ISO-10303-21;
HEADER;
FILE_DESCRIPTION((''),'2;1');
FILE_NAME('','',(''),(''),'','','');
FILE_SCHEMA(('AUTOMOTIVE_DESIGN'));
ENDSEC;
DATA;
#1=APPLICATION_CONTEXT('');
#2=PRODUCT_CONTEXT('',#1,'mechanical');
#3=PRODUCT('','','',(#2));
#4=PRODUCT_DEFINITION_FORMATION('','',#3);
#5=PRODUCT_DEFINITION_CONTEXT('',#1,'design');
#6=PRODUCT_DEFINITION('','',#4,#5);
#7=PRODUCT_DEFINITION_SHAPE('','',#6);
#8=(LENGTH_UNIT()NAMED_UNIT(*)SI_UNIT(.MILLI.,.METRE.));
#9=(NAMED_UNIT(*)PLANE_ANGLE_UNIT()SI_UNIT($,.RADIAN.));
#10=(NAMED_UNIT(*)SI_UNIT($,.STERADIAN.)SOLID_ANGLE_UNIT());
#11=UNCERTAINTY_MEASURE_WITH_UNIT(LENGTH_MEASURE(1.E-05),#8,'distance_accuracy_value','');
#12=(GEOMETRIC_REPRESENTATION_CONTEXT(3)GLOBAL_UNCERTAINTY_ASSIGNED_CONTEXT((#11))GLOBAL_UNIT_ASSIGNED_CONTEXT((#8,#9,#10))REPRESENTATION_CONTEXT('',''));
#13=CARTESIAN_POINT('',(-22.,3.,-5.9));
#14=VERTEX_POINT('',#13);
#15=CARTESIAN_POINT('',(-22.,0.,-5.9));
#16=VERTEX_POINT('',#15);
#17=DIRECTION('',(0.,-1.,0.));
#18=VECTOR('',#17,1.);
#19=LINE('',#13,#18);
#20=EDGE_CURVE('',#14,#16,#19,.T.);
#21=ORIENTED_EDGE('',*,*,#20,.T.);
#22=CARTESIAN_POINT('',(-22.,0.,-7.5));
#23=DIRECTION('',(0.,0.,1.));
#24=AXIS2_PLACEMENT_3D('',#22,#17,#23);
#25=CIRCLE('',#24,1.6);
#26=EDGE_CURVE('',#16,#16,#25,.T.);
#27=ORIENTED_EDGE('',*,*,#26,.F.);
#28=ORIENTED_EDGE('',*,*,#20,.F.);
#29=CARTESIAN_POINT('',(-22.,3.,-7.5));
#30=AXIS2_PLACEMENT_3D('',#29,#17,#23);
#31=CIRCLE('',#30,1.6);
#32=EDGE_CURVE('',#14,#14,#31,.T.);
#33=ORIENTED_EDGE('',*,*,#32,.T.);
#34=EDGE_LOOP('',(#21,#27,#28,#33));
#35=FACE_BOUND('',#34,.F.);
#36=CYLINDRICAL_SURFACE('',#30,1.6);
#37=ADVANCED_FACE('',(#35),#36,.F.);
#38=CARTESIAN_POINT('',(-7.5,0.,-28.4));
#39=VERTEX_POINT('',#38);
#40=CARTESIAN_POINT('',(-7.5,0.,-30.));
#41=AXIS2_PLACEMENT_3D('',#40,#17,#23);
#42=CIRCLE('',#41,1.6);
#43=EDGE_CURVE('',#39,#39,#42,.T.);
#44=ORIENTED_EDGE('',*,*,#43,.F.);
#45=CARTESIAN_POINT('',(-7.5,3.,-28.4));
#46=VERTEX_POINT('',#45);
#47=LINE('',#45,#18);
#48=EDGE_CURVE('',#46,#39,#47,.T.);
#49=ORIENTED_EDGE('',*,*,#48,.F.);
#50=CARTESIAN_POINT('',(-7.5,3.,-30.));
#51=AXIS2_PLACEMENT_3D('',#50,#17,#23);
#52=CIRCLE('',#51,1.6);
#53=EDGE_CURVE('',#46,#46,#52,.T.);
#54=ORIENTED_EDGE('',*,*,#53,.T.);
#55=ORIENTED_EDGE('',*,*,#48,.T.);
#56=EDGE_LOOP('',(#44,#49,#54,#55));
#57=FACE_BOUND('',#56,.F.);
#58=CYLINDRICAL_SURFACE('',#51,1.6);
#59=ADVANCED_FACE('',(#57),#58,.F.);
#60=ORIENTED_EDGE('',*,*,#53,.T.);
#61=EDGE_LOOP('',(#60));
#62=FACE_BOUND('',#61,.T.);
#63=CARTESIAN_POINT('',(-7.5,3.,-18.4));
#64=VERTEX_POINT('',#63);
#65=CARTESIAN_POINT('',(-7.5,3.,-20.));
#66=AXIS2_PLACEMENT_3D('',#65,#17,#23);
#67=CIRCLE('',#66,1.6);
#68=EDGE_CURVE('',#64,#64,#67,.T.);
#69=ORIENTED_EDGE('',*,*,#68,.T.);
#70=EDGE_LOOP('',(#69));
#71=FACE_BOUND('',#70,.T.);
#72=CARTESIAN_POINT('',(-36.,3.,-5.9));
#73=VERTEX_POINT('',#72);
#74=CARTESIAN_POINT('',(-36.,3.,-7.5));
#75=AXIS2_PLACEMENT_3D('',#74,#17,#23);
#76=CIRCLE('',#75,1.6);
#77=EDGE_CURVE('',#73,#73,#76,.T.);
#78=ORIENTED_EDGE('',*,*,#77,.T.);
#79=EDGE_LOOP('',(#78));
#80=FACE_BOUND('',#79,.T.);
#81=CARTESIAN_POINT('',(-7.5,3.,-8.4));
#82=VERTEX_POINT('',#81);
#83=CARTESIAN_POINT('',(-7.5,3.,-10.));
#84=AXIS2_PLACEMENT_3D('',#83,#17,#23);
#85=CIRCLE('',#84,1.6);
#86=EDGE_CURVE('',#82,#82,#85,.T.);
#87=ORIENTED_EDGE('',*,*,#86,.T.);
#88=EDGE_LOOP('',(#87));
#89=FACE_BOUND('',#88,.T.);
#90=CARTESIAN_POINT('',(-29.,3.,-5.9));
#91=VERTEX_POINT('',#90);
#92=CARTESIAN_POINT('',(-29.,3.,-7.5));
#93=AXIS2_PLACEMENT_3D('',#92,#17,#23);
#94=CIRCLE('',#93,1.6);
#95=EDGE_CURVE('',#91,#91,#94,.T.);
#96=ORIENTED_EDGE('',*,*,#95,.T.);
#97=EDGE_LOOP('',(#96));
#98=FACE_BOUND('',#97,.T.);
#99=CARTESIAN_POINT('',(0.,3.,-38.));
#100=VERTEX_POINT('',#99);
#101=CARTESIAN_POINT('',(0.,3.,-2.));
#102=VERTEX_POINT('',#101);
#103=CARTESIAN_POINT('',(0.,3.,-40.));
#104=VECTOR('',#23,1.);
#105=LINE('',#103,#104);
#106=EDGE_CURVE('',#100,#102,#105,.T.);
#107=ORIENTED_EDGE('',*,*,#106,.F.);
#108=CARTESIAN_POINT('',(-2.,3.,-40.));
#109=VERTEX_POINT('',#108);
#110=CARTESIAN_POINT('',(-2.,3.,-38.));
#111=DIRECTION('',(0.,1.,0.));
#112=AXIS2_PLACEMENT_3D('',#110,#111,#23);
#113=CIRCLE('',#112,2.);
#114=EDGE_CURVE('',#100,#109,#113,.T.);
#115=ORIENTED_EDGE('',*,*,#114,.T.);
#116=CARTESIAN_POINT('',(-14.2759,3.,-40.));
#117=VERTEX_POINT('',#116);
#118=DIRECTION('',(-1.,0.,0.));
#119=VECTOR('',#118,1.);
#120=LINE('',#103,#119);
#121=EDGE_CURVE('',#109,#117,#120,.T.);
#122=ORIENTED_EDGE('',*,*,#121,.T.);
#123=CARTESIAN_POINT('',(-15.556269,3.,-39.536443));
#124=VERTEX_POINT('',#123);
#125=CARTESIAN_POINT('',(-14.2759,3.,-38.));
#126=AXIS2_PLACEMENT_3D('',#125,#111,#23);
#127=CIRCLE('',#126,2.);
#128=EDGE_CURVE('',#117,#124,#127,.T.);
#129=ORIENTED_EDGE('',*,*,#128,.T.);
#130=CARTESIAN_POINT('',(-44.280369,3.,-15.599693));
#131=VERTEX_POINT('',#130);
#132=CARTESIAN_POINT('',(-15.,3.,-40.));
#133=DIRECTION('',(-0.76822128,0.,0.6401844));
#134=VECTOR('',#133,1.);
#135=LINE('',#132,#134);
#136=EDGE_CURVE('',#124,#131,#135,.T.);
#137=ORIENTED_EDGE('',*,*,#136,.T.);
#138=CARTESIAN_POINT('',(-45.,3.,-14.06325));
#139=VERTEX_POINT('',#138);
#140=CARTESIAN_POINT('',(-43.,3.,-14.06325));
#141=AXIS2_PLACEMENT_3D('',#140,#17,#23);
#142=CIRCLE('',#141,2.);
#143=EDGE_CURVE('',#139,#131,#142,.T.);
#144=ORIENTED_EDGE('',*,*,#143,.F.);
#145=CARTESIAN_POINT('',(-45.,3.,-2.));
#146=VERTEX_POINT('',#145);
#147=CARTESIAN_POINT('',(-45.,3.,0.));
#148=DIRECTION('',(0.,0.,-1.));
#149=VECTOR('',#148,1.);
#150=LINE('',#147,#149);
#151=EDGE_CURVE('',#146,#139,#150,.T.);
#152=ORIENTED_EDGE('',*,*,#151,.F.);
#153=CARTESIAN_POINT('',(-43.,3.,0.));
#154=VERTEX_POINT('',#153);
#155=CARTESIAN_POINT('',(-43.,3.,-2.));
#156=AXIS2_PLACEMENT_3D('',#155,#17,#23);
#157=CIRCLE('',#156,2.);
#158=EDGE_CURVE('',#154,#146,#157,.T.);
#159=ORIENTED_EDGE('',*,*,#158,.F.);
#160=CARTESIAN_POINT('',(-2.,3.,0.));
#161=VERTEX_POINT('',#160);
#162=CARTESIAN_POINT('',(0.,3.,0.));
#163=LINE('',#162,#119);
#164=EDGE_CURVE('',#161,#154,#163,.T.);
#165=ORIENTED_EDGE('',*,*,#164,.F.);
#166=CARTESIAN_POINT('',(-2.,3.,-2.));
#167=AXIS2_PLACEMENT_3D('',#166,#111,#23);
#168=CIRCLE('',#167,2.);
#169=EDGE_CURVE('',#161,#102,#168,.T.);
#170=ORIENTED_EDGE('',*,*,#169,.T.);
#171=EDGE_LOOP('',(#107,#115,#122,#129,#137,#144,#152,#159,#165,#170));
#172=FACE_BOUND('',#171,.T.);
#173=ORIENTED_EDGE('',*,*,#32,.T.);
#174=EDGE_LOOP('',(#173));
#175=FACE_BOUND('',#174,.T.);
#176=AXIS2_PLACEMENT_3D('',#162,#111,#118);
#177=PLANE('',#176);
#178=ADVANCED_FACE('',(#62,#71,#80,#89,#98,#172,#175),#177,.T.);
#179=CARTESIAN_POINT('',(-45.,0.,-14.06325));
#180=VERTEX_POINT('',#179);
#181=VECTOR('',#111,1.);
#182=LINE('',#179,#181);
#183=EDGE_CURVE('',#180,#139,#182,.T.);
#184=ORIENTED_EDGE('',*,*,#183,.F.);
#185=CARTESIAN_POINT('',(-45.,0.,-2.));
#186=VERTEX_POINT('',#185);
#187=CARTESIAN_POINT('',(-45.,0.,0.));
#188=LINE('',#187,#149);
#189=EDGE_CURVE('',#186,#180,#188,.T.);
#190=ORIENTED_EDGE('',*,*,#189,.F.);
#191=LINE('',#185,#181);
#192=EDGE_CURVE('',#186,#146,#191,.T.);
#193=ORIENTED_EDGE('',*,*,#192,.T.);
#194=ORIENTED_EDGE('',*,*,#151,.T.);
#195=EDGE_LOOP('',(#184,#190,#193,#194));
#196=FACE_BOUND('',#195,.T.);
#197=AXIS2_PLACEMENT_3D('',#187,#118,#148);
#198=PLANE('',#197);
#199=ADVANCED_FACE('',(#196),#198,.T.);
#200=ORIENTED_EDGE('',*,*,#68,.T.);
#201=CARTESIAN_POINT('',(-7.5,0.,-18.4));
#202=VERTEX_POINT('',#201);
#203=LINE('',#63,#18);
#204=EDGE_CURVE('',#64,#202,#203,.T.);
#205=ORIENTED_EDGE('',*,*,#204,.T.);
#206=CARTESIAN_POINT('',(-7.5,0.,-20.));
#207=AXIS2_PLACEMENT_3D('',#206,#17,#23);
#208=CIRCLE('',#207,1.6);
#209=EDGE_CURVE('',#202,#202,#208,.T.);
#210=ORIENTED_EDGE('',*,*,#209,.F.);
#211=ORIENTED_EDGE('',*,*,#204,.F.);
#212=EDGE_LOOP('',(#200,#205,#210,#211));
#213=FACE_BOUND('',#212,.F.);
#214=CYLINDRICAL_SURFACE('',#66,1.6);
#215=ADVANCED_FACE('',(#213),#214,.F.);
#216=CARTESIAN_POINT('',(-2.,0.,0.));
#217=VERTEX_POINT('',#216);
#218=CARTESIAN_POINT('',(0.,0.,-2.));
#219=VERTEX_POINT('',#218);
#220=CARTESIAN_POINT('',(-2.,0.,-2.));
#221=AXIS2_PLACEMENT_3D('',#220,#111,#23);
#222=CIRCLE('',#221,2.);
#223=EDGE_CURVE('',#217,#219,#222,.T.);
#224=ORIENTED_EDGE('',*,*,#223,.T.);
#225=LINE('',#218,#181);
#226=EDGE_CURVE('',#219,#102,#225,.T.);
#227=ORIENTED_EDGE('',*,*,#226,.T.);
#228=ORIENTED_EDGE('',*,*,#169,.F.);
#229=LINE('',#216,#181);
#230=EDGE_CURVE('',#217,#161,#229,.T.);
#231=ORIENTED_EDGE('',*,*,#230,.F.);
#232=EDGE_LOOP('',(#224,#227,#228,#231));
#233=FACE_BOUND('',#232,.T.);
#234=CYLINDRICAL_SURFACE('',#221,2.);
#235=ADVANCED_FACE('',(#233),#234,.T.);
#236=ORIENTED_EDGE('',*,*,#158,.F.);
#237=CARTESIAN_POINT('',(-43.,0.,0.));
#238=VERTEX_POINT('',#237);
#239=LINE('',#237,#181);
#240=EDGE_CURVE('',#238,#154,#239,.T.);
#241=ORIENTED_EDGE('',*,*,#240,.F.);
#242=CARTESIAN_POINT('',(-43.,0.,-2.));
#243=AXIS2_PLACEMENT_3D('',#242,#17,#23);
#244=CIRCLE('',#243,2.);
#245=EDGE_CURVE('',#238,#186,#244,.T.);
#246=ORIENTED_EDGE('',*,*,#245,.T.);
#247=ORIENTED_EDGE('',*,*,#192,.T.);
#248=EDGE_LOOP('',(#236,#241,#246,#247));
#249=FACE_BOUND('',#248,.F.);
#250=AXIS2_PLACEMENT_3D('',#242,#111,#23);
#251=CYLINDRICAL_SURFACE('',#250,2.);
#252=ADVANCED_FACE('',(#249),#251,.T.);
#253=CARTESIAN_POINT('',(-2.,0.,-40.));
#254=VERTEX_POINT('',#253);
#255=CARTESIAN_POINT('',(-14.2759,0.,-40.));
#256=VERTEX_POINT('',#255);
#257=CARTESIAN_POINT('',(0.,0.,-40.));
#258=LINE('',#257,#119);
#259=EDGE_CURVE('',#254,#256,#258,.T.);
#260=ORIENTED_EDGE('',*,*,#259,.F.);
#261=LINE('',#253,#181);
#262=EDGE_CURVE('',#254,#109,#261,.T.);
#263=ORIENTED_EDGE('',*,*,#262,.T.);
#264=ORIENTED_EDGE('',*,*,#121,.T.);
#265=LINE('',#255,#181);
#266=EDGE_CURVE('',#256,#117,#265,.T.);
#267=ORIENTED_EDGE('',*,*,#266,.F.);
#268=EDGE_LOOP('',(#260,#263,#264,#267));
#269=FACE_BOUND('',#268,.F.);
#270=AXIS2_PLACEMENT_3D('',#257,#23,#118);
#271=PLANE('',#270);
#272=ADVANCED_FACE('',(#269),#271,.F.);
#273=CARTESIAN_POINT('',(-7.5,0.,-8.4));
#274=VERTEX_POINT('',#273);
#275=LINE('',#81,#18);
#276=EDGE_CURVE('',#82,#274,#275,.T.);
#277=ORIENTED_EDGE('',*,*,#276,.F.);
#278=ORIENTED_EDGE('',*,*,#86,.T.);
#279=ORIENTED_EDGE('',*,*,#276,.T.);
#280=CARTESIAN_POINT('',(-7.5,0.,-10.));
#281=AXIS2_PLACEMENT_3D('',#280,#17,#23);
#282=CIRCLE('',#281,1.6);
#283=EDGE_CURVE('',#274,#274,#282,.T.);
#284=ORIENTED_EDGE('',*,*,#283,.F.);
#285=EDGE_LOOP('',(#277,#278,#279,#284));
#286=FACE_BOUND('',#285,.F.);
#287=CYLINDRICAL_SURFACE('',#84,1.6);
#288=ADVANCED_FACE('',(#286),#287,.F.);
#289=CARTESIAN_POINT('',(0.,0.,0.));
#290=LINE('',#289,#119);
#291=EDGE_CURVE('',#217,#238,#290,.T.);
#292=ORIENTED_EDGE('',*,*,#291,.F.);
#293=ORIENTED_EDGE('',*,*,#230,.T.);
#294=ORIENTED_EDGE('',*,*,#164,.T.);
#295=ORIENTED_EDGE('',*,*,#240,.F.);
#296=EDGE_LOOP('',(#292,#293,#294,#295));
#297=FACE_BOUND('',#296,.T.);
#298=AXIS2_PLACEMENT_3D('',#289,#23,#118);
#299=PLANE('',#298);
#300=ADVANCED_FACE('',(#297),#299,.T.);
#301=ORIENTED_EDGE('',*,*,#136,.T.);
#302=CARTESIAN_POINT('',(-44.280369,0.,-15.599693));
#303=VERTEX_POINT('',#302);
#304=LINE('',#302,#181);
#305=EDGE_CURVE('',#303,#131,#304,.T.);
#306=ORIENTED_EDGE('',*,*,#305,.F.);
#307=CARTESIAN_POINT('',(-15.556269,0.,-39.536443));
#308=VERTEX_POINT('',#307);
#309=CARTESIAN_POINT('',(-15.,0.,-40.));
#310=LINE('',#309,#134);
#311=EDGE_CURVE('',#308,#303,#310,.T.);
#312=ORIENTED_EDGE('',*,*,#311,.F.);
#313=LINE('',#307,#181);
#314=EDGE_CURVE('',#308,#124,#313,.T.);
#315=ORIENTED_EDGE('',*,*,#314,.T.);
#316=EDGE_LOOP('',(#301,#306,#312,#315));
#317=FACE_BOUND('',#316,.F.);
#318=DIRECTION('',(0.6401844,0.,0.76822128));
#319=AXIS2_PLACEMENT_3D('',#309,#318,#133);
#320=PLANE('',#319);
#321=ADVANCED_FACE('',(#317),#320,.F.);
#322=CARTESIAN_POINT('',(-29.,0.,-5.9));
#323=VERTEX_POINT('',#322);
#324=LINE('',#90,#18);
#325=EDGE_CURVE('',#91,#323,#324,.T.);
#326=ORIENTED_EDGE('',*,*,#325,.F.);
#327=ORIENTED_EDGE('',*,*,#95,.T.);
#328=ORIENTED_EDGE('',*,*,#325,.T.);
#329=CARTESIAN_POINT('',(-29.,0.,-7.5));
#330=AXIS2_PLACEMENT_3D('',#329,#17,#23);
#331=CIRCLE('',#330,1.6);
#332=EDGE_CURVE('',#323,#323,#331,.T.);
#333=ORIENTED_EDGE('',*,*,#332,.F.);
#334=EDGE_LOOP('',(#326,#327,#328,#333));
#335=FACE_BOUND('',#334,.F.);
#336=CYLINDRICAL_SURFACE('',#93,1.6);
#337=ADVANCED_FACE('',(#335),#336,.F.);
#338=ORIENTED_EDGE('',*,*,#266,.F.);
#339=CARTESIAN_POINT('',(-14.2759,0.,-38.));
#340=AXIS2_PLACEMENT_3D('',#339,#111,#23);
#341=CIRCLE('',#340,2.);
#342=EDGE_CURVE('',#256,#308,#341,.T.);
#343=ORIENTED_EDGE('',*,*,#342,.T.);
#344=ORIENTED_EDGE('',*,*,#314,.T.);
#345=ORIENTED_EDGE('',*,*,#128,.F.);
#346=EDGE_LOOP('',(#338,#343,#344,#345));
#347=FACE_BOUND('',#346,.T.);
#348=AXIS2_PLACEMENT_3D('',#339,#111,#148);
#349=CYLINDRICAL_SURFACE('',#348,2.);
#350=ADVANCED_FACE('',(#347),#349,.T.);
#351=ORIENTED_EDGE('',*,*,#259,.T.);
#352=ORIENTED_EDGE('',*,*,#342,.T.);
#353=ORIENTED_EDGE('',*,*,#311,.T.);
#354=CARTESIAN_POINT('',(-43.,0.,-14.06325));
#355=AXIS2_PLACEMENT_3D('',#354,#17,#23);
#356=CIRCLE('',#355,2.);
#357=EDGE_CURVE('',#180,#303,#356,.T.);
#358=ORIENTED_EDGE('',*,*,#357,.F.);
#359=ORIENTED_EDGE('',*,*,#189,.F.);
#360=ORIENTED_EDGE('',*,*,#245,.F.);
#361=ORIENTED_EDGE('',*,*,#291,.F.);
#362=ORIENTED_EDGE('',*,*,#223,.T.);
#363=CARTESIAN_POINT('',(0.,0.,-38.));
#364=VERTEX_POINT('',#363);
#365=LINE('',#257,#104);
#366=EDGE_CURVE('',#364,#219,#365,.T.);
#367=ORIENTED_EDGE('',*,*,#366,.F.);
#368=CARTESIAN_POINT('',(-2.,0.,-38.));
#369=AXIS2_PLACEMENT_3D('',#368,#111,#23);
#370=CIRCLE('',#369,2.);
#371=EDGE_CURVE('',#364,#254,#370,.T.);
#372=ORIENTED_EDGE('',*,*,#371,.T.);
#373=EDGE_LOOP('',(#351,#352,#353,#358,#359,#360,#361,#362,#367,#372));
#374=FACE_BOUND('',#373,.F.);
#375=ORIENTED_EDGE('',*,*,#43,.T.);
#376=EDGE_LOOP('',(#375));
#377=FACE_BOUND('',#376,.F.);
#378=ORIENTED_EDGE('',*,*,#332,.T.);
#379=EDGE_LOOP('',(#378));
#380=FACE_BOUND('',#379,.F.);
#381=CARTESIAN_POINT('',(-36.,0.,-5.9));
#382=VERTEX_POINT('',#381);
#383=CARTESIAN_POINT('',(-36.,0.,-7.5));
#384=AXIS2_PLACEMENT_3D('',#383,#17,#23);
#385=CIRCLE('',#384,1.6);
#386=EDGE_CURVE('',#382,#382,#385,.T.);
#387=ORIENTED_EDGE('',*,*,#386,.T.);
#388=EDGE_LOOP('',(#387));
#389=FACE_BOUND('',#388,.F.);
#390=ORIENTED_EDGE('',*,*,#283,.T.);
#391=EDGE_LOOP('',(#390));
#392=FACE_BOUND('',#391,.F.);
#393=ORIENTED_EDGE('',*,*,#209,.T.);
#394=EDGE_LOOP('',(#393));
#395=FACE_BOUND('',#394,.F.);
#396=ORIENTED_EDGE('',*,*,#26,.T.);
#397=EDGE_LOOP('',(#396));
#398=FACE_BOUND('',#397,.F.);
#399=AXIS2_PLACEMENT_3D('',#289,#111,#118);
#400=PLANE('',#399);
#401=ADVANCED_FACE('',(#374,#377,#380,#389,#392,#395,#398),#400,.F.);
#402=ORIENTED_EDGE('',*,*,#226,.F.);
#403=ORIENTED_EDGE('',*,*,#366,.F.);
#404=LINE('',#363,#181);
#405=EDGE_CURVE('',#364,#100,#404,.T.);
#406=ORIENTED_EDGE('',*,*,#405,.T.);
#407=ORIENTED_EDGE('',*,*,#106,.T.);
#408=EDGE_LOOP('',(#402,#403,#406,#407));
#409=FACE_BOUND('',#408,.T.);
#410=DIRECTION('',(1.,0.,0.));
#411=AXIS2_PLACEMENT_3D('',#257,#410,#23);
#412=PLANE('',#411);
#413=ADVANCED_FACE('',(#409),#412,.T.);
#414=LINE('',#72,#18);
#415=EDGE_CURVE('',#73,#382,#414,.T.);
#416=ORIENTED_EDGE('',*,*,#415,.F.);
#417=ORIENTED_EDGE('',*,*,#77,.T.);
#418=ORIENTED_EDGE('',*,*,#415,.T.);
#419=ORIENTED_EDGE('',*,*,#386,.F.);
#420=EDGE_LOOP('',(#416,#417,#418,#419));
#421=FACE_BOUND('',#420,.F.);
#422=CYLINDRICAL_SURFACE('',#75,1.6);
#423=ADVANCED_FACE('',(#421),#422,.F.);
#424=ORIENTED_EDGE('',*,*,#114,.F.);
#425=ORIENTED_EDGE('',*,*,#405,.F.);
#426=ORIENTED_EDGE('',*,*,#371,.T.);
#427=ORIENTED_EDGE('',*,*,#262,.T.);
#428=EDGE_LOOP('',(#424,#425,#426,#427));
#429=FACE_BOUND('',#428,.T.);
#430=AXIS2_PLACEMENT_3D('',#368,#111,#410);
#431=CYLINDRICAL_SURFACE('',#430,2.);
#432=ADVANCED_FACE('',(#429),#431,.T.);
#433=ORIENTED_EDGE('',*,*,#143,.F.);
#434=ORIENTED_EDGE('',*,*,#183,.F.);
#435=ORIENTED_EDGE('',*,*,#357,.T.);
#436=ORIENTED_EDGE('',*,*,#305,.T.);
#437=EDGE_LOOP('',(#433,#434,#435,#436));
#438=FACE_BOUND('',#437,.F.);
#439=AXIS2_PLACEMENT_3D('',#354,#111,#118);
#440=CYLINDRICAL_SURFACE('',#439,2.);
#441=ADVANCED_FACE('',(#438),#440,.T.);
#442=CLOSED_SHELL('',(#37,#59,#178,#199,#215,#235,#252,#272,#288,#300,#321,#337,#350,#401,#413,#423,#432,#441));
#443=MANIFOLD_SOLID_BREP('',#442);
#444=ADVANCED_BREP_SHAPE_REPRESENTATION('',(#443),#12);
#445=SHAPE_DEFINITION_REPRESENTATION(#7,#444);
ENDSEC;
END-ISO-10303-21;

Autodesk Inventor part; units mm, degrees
ref_plane "YZ Plane" through (0, 0, 0) normal (1, 0, 0) x (0, 1, 0)
ref_plane "XZ Plane" through (0, 0, 0) normal (0, 1, 0) x (-1, 0, 0)
ref_plane "XY Plane" through (0, 0, 0) normal (0, 0, 1) x (1, 0, 0)
sketch "スケッチ1" plane through (0, 0, 0) normal (0, 1, 0) x (-1, 0, 0)
  line L0 (0, 0) -> (45, 0)
  line L1 (45, 0) -> (45, -15)
  line L2 (0, -40) -> (0, 0)
  line L3 (45, 0) -> (45, -15)
  line L4 (45, 0) -> (60, 0) construction
  line L5 (0, -40) -> (15, -40)
  line L6 (0, -40) -> (15, -40) construction
  line L7 (15, -40) -> (45, -15)
  line L8 (15, -40) -> (0, -40)
  dimension "d2" = 15
  dimension "d3" = 90
  dimension "d4" = 15
  dimension "d5" = 0
extrude "押し出し1" add sketch "スケッチ1" along normal blind 3
sketch "スケッチ2" plane through (0, 3, 0) normal (0, 1, 0) x (1, 0, 0)
  line L0 (-45, 0) -> (0, 0) projected
  line L1 (-45, 15) -> (-45, 0) projected
  line L2 (0, 0) -> (0, 40) projected
  line L3 (0, 40) -> (-15, 40) projected
  point P0 (-36, 7.5)
  point P1 (-7.5, 30)
  point P2 (-29, 7.5)
  point P3 (-22, 7.5)
  point P4 (-7.5, 20)
  point P5 (-7.5, 10)
  dimension "d8" = 7.5
  dimension "d9" = 9
  dimension "d10" = 7
  dimension "d11" = 7
  dimension "d12" = 7.5
  dimension "d13" = 7.5
  dimension "d14" = 7.5
  dimension "d15" = 10
  dimension "d16" = 10
  dimension "d17" = 10
  dimension "d18" = 7.5
  dimension "d19" = 7.5
hole "穴1" at (-36, 3, -7.5) at (-7.5, 3, -30) at (-29, 3, -7.5) at (-22, 3, -7.5) at (-7.5, 3, -20) at (-7.5, 3, -10) direction (0, -1, 0) diameter 3.2 end through all
fillet "フィレット1" radius 2 5 edges at (0, 1.5, -40) (0, 1.5, 0) (-45, 1.5, 0) (-45, 1.5, -15) (-15, 1.5, -40)
properties part number "射出_固定3" material "アルミニウム 6061"
